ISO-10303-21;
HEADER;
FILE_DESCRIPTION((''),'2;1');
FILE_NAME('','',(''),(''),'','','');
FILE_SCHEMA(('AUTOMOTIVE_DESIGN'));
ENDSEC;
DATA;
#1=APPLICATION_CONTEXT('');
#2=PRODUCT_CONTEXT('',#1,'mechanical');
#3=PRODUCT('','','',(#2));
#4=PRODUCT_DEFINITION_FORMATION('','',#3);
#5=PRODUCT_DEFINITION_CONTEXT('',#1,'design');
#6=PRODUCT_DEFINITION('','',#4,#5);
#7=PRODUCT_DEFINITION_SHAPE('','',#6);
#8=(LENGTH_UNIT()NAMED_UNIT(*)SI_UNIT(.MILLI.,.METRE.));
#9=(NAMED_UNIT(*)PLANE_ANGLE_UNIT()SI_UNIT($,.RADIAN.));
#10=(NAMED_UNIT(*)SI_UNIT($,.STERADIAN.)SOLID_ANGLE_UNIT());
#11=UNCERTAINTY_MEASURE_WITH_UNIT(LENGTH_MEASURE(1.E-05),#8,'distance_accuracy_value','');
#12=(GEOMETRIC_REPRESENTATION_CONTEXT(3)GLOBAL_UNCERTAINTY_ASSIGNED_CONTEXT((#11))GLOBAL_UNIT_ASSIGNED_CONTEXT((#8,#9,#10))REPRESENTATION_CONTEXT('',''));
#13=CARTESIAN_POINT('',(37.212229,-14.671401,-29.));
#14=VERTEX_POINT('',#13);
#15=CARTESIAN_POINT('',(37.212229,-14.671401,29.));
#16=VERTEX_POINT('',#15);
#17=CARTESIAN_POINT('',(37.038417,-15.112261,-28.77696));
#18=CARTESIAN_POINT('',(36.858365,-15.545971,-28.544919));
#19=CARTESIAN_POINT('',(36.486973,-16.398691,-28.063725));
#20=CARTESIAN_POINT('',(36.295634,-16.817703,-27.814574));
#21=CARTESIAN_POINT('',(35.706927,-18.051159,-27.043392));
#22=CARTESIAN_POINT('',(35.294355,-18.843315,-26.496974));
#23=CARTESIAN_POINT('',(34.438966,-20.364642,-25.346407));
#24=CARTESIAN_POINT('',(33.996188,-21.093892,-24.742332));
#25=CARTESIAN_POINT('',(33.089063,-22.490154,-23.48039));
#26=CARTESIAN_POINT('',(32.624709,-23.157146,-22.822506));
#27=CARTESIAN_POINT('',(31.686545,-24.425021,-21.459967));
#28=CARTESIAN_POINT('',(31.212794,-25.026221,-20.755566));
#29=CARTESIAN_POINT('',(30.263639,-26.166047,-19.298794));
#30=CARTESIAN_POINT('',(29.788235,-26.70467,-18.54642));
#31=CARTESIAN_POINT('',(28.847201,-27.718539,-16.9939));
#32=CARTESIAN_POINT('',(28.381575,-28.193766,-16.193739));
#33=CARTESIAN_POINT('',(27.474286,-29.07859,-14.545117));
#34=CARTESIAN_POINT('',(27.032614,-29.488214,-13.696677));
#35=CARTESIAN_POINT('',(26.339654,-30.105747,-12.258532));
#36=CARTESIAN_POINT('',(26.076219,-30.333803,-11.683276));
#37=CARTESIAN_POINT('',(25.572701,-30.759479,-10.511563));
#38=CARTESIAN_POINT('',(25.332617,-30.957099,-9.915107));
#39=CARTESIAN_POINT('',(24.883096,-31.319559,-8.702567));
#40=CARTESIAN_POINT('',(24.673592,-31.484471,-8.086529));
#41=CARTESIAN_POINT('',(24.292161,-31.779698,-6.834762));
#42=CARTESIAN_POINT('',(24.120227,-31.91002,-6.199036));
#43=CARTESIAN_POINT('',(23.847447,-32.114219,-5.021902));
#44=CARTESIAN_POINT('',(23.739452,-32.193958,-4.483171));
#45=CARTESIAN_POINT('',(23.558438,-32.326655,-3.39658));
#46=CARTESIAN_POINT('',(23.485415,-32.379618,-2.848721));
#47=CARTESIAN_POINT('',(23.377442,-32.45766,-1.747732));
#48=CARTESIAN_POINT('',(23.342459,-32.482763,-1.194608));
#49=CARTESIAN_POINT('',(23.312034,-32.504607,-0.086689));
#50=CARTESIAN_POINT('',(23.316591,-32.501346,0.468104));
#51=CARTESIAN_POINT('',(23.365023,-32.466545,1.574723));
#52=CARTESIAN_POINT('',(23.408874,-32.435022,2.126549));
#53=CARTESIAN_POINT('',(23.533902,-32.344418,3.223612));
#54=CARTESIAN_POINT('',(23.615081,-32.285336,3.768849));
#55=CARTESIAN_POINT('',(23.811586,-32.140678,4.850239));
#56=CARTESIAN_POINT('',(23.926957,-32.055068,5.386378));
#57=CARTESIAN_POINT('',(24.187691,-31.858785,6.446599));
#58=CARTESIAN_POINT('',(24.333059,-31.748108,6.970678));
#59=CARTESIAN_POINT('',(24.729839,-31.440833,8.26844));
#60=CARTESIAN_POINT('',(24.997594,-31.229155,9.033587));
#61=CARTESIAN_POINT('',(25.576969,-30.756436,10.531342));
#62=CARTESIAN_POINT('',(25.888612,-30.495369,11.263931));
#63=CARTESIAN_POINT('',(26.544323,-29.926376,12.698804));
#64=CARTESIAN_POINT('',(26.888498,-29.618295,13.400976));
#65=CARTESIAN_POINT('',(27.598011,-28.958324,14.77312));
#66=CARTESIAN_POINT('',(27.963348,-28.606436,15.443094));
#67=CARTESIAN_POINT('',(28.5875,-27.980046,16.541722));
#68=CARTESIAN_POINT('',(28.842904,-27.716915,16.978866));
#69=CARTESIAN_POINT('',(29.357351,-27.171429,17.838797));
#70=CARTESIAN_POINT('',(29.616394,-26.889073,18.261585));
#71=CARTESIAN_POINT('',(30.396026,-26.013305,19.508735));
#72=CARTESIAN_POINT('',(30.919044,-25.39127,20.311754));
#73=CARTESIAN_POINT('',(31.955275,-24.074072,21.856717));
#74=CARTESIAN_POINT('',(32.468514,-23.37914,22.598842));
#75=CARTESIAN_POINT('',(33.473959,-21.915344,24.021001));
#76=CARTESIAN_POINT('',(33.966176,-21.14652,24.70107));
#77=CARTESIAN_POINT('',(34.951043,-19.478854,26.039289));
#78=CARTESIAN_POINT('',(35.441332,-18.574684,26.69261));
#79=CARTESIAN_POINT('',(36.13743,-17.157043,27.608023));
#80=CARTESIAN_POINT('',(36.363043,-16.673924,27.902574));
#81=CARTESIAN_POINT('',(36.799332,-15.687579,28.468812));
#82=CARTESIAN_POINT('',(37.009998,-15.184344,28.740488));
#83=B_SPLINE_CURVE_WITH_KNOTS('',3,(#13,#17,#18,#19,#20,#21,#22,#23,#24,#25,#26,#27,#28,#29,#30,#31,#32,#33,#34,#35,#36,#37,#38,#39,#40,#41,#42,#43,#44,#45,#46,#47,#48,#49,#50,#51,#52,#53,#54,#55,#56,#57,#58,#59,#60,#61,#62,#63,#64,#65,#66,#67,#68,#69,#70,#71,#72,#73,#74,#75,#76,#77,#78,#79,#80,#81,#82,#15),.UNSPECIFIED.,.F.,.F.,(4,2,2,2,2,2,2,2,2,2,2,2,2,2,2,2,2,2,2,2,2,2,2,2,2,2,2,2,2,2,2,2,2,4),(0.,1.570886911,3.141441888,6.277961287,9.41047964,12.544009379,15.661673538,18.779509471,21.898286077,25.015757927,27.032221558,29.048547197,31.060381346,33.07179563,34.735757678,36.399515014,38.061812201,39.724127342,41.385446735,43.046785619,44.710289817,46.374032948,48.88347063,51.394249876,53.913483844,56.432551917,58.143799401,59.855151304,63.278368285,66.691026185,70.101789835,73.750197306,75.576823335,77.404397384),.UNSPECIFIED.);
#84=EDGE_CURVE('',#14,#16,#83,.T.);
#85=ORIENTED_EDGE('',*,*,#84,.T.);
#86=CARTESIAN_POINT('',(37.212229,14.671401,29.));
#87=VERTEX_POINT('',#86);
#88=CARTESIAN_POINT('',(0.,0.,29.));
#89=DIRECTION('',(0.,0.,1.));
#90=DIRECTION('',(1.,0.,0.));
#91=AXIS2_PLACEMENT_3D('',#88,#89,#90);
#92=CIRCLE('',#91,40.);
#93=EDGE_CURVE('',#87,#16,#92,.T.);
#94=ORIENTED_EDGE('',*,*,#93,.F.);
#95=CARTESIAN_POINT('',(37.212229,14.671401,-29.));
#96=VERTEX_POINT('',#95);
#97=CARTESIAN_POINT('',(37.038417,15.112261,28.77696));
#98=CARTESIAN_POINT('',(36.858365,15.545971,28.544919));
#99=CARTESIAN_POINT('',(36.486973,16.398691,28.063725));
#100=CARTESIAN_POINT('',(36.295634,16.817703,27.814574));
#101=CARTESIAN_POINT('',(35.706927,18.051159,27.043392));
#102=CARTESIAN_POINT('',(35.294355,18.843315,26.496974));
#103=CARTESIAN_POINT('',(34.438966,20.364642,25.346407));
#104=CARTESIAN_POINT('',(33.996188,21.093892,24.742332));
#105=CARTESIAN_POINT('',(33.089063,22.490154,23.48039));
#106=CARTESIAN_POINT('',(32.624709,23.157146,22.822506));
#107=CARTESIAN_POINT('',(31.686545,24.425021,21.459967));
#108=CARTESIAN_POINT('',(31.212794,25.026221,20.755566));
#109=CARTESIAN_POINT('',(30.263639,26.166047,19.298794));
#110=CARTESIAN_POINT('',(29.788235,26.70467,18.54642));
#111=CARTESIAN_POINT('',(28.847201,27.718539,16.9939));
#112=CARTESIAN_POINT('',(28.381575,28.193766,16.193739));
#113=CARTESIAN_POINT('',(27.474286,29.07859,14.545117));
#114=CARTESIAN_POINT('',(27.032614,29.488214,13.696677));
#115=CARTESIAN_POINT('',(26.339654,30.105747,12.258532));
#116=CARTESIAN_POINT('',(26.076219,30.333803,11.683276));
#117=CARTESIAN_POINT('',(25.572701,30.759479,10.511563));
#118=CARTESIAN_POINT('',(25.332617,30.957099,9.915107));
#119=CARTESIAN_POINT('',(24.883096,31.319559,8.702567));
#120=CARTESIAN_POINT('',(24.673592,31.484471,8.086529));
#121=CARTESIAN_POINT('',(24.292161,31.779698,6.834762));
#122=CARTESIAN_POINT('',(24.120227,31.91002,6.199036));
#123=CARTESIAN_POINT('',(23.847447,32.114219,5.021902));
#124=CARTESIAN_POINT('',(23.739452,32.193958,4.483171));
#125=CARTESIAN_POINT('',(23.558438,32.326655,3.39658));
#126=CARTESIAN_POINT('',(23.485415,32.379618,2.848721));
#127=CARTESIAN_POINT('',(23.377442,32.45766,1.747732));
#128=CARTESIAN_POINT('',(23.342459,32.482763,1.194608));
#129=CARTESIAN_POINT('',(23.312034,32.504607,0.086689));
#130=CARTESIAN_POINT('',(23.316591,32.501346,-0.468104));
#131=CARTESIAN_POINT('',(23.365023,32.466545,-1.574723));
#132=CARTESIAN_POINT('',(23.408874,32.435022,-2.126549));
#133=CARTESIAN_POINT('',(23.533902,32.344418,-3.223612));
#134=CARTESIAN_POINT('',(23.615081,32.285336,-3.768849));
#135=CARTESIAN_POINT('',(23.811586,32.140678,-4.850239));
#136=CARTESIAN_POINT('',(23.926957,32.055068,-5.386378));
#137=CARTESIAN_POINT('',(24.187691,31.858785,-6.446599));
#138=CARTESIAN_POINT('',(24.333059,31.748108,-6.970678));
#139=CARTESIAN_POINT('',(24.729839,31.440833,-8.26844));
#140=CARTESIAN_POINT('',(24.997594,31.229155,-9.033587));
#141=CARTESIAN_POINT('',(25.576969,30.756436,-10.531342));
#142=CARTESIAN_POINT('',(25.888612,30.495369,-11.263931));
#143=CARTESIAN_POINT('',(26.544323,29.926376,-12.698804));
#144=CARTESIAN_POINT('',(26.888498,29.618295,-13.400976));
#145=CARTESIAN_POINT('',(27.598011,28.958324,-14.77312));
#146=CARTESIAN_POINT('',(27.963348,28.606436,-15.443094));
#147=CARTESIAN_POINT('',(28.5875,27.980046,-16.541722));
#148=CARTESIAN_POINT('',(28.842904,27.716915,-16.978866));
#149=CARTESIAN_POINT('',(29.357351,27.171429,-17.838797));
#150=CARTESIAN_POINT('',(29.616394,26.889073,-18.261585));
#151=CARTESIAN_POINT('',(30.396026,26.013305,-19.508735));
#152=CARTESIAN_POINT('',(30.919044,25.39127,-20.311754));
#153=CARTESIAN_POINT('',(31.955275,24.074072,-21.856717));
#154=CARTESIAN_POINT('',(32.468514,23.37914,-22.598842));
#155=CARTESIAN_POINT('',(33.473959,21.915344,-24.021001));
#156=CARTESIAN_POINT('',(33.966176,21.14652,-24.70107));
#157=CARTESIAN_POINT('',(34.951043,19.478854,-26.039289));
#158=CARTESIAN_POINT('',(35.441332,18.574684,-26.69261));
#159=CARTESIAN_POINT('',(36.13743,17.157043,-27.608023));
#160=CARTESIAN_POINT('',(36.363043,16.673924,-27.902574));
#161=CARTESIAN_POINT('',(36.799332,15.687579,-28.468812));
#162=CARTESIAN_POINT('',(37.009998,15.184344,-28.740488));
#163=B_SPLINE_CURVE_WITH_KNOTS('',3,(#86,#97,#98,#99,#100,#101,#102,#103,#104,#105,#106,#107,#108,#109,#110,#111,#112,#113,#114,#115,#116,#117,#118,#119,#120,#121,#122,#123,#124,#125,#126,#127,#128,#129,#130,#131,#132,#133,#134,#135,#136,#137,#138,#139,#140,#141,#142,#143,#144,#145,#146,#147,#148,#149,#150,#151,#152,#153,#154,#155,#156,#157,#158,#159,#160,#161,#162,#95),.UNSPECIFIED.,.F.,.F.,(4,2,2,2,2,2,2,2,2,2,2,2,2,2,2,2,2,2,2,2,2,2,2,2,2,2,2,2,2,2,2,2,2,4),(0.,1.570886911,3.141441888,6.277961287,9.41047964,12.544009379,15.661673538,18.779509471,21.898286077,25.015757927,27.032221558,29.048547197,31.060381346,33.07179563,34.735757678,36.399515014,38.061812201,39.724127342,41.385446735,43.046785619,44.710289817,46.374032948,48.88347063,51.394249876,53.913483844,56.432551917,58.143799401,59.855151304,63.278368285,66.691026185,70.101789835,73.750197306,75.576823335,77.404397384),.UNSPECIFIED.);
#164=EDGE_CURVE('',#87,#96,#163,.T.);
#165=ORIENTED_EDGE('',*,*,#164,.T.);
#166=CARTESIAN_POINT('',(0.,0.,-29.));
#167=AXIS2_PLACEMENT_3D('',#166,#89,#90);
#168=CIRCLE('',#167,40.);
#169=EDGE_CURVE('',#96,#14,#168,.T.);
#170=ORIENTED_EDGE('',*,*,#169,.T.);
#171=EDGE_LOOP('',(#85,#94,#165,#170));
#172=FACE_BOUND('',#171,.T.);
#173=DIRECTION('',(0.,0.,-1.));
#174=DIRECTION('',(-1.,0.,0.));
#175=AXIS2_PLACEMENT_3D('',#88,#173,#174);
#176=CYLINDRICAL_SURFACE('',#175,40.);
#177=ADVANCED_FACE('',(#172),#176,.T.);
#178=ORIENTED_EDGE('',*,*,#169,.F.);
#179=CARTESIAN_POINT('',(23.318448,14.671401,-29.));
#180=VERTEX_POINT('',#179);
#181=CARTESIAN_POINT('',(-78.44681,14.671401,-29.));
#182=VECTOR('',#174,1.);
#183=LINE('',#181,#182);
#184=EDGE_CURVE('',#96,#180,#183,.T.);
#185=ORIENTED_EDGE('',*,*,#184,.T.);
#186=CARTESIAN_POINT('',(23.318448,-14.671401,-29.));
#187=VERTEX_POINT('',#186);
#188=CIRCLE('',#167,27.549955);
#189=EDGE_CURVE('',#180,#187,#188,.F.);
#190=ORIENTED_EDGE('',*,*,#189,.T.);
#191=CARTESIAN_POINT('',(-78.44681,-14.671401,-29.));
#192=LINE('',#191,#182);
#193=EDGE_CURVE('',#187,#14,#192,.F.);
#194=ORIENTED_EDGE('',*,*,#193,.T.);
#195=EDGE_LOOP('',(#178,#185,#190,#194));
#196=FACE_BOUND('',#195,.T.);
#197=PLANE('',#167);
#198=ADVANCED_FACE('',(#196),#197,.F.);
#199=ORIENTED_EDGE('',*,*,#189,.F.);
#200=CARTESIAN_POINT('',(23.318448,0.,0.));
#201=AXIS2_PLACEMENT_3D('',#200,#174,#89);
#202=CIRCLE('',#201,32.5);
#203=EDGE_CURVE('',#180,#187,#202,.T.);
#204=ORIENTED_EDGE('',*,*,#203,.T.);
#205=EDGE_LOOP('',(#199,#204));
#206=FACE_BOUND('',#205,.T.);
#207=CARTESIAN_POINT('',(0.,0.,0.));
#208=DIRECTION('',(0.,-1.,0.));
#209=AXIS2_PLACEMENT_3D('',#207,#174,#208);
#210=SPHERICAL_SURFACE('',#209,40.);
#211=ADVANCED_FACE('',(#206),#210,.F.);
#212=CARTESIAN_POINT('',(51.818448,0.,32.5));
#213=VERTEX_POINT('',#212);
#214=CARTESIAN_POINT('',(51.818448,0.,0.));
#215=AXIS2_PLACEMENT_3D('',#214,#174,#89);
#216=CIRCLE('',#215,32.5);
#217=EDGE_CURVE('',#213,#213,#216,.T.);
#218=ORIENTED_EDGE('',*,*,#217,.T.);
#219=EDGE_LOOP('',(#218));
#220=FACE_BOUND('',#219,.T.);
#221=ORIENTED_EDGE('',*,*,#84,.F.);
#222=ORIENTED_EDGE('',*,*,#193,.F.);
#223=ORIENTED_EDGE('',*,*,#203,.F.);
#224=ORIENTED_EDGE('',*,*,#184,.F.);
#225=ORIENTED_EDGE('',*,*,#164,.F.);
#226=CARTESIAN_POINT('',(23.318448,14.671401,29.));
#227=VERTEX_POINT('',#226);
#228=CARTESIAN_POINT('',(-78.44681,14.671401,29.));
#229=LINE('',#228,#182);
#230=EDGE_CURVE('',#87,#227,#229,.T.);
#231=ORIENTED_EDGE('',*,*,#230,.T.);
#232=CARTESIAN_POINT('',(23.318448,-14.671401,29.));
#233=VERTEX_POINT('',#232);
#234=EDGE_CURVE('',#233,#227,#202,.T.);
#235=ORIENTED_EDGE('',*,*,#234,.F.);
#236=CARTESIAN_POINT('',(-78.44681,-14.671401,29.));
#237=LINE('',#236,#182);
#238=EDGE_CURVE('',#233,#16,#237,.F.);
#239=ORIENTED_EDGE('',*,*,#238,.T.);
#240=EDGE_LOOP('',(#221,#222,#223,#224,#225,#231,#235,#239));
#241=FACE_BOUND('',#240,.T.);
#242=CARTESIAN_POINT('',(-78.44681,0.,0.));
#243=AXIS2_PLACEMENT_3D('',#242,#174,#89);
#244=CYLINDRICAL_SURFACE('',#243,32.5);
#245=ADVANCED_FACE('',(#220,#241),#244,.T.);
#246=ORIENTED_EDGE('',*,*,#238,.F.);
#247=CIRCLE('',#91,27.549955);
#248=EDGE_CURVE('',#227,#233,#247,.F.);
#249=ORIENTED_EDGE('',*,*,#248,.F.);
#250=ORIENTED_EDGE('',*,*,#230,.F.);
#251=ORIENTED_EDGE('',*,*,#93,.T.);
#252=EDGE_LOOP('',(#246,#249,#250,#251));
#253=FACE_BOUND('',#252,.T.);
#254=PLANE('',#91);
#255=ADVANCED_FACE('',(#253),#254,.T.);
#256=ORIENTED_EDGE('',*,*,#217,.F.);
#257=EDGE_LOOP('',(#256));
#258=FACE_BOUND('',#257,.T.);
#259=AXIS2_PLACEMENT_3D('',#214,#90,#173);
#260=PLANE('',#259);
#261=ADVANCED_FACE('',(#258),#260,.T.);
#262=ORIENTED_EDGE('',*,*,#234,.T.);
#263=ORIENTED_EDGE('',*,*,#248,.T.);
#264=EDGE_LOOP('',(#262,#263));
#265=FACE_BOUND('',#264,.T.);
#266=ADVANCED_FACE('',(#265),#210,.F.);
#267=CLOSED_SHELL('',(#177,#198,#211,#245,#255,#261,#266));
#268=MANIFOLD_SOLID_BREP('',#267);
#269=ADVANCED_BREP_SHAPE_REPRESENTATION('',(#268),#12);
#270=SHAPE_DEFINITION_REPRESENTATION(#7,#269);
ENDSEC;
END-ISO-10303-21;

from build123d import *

# Parameters (mm, degrees)
SCHIZZO2_R = 40
BASE_DEPTH = 29


with BuildPart() as part:
    # Schizzo2 → Base (new, symmetric)
    with BuildSketch(Plane.XY):
        with Locations(Location((0, 0, 0), (0, 0, 180))):
            Circle(SCHIZZO2_R)
    extrude(amount=BASE_DEPTH, both=True)

    # Schizzo3 → Rivoluzione1 (revolve)
    with BuildSketch(Plane.XY, mode=Mode.PRIVATE) as rivoluzione1_sk:
        with BuildLine():
            Line((40, 0), (51.818447633, 0))
            Line((51.818447633, 0), (51.818447633, -32.5))
            Line((51.818447633, -32.5), (23.318447633, -32.5))
            ThreePointArc((23.318447633, -32.5), (35.586078074, -18.265569998), (40, 0))
        make_face()
    revolve(rivoluzione1_sk.sketch.rotate(Axis((-78.446809676, 0, 0), (1, 0, 0)), 270), axis=Axis((-78.446809676, 0, 0), (1, 0, 0)))


solid = part.part
